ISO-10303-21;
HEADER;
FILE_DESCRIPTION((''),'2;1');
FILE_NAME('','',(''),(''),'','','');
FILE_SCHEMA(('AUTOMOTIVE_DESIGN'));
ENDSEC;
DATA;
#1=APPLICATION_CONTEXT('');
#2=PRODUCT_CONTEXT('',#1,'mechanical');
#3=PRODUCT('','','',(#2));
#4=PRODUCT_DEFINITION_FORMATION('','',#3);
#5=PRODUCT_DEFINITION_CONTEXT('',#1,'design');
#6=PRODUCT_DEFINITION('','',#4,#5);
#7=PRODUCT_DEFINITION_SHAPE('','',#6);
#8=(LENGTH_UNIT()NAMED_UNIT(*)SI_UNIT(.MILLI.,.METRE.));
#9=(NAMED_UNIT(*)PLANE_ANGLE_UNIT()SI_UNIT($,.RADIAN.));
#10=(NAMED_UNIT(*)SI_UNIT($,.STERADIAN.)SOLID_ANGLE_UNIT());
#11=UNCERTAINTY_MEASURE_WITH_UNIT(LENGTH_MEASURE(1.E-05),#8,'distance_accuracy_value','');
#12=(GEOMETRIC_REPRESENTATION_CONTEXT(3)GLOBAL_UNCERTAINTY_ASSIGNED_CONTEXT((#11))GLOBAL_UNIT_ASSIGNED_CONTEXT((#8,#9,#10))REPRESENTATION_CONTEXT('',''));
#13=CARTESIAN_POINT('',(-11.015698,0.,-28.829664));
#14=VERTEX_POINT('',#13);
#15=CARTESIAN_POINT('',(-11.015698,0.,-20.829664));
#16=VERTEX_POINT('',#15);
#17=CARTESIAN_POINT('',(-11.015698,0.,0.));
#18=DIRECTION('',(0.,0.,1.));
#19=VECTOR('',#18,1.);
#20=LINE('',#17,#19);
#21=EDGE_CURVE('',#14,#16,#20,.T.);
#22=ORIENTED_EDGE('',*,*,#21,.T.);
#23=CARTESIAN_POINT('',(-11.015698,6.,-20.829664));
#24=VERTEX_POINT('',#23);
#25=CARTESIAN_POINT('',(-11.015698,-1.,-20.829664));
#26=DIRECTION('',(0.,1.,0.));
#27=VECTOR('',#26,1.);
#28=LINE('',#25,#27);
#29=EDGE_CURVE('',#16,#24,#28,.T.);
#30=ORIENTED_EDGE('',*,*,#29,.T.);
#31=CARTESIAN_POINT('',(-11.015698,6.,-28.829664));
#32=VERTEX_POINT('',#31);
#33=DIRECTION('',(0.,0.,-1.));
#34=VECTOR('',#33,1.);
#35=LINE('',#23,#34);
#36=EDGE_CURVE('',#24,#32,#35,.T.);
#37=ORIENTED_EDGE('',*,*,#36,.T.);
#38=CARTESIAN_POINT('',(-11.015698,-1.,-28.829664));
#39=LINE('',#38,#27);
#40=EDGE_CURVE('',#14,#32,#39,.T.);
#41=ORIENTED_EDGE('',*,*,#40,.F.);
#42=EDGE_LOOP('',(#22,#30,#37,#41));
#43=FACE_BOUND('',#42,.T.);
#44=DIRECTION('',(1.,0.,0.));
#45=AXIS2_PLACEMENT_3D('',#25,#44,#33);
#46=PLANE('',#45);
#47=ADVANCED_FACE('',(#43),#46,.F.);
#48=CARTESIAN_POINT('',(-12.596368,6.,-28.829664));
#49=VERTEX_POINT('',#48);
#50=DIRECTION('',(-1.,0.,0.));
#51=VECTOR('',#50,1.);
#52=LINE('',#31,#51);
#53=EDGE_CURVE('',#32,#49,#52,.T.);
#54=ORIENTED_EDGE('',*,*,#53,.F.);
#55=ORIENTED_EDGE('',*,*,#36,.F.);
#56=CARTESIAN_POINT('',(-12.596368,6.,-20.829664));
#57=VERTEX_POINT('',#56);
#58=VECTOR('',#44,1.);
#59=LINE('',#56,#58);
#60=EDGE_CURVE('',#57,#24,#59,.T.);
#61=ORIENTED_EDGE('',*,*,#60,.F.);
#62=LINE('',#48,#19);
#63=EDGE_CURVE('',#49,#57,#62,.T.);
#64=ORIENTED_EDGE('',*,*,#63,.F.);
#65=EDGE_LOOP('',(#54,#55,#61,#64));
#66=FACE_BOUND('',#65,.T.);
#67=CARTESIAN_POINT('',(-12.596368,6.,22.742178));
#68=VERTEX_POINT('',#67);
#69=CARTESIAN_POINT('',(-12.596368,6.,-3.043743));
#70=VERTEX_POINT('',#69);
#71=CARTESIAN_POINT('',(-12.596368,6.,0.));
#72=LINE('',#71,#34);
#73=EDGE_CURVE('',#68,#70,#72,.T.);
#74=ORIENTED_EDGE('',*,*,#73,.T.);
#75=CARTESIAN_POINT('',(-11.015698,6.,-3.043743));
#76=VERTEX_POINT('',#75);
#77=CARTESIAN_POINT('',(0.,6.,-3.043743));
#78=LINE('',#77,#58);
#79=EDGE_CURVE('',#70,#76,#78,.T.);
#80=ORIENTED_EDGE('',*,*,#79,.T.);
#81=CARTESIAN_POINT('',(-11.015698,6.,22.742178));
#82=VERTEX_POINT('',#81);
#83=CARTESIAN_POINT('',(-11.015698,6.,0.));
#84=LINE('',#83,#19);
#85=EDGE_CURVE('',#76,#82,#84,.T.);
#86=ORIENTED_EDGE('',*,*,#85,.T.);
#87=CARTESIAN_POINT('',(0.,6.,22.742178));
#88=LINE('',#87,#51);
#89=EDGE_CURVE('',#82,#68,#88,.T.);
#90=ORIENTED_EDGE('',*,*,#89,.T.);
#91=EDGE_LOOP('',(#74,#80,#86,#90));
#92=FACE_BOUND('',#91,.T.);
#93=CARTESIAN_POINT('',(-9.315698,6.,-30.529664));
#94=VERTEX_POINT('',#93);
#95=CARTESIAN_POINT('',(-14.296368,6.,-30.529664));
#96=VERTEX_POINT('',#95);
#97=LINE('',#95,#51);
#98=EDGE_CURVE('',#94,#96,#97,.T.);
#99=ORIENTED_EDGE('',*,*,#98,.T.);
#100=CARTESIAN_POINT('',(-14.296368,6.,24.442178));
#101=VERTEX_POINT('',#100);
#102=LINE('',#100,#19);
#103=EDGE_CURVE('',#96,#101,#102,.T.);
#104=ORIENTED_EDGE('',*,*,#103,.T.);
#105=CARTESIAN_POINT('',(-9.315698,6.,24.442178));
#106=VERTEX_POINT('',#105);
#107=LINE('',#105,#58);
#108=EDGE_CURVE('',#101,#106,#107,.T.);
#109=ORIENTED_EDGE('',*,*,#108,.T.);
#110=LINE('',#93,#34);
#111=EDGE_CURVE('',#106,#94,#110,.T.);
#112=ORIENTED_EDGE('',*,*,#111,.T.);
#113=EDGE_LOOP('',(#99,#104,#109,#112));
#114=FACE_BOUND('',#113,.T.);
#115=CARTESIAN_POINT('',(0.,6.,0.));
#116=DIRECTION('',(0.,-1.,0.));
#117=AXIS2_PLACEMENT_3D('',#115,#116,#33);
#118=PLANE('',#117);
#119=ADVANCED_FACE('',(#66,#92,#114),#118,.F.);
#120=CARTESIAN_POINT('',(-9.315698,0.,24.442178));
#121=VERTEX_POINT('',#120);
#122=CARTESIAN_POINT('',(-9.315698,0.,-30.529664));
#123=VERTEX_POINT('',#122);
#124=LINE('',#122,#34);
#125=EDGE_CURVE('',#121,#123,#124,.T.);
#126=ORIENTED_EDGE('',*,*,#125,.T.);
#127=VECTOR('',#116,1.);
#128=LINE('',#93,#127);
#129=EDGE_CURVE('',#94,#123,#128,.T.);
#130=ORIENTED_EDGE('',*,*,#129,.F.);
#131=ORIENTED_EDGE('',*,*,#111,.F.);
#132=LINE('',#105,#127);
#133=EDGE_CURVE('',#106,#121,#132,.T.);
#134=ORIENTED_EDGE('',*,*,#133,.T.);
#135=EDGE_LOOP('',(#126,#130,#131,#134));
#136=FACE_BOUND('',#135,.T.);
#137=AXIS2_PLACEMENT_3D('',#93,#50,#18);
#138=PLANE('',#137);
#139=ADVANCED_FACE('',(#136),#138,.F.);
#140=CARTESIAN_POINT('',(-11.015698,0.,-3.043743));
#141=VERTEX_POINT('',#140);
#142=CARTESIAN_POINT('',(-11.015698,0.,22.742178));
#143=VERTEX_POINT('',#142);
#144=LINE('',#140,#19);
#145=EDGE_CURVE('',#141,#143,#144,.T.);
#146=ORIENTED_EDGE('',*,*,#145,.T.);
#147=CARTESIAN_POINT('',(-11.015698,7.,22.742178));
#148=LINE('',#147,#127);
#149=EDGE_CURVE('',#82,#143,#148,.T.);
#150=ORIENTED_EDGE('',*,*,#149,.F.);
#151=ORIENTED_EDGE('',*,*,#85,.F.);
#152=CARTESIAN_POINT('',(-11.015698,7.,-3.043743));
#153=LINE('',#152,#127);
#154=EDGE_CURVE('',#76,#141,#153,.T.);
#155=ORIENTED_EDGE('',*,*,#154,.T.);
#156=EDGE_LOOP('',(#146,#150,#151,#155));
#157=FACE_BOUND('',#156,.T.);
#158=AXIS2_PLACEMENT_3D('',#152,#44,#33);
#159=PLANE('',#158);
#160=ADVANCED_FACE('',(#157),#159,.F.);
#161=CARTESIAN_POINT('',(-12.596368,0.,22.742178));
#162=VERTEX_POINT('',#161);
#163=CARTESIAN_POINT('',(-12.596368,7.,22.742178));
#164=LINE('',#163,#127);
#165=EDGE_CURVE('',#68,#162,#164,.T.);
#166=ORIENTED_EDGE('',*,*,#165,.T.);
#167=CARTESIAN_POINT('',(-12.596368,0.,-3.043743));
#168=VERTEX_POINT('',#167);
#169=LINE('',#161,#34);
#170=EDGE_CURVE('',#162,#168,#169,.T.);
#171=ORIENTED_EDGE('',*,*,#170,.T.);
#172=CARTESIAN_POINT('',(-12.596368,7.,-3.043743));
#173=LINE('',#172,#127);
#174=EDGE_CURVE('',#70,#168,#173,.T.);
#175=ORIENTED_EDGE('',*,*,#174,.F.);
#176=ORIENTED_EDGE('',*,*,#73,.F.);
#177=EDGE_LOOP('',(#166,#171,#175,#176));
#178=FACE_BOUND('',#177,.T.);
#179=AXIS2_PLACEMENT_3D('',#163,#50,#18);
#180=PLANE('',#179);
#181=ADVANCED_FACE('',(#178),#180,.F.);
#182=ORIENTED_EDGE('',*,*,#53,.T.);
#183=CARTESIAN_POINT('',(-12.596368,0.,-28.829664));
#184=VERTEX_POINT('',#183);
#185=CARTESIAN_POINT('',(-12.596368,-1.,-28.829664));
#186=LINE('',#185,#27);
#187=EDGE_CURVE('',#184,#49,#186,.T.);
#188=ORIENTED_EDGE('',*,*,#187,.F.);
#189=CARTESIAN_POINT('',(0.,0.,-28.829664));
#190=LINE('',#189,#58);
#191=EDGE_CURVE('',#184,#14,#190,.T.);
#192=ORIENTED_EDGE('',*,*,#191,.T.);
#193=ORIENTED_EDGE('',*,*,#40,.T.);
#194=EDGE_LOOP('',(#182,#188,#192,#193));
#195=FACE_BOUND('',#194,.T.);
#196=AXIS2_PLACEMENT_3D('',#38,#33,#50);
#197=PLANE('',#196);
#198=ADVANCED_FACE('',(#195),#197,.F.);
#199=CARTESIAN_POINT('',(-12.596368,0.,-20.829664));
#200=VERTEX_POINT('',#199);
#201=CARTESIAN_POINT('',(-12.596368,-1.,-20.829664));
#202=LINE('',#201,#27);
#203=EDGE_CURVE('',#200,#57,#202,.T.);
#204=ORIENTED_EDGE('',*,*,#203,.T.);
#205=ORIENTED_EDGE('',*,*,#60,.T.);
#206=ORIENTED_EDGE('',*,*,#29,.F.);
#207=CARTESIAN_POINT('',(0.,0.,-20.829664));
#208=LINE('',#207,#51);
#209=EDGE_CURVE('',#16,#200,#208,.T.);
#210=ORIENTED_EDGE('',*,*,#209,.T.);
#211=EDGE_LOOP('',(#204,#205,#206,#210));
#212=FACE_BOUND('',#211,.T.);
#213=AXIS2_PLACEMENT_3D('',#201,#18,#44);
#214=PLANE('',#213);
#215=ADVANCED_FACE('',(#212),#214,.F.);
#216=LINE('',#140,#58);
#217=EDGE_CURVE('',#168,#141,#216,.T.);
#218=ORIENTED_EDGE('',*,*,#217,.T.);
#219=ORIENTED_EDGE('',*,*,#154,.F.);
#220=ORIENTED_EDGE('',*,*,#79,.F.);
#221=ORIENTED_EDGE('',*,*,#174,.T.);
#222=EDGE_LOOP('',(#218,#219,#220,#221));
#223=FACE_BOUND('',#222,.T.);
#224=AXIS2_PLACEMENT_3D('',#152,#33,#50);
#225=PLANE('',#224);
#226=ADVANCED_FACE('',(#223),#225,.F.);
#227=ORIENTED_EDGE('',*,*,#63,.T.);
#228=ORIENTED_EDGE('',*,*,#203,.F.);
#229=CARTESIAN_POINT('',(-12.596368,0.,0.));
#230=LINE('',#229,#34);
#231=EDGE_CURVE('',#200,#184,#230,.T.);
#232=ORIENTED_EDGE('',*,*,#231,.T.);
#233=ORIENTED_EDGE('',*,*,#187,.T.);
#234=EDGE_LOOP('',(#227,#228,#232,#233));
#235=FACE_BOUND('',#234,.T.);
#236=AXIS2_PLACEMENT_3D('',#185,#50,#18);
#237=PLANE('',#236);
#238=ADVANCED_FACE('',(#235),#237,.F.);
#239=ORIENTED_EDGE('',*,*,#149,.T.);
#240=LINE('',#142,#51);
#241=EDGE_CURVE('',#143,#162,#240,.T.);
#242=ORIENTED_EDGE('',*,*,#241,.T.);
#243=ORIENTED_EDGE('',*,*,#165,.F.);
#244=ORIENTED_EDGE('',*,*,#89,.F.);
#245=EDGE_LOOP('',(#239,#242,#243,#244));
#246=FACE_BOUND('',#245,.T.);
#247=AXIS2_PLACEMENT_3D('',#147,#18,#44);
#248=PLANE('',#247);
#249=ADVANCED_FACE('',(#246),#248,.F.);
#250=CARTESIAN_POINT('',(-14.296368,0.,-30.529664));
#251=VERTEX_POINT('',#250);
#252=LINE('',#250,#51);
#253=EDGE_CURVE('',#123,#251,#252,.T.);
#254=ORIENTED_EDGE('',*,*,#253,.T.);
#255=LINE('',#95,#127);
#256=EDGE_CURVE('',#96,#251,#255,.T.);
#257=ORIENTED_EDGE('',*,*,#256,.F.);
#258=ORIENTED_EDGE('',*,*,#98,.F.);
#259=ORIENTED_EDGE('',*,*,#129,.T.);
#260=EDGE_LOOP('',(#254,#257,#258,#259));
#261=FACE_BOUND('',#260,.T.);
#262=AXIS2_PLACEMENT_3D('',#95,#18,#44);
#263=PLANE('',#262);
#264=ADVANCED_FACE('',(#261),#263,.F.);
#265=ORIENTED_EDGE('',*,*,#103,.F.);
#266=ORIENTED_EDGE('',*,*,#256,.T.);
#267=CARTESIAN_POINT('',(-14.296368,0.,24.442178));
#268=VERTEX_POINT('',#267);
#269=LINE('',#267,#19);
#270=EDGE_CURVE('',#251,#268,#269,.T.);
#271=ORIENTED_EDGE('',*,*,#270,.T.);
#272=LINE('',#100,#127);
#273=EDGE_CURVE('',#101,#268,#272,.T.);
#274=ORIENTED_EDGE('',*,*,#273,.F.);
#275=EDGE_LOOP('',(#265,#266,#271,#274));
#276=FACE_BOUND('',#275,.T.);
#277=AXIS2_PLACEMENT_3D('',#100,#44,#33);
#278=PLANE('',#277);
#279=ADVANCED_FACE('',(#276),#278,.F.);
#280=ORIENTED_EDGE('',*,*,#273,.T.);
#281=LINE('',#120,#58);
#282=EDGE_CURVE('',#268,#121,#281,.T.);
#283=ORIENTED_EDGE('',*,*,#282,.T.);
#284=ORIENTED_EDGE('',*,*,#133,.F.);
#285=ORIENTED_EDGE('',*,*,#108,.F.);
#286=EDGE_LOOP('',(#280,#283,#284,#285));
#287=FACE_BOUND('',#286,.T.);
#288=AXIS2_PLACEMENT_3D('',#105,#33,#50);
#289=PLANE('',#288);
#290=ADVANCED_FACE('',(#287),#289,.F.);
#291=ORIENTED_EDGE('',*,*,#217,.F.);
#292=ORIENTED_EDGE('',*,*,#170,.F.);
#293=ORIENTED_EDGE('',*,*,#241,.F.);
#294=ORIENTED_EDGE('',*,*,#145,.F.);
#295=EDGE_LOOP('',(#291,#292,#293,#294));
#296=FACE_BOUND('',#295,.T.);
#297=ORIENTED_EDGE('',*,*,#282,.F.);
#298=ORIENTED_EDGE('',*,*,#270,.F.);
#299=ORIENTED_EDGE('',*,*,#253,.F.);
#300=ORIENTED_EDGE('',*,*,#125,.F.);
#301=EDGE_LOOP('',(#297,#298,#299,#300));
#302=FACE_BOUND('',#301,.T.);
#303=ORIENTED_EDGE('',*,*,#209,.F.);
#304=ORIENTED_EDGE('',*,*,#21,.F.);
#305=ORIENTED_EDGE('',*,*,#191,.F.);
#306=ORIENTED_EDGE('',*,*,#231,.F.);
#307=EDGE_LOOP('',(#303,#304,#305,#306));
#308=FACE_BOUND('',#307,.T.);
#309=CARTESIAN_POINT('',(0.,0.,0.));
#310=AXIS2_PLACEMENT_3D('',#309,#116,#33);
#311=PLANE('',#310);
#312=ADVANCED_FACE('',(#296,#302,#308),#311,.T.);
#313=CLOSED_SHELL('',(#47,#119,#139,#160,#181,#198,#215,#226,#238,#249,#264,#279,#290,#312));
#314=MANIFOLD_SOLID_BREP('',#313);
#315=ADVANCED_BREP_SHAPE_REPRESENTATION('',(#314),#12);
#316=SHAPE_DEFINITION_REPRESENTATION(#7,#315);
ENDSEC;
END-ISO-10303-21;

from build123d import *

# Parameters (mm, degrees)
SKETCH1_W           = 4.980670257
SKETCH1_H           = 54.9718421
BOSS_EXTRUDE1_DEPTH = 6
SKETCH2_W           = 1.580670257
SKETCH2_H           = 8
CUT_EXTRUDE2_DEPTH  = 7
SKETCH4_W           = 1.580670257
SKETCH4_H           = 25.78592105
CUT_EXTRUDE3_DEPTH  = 7


with BuildPart() as part:
    # Sketch1 → Boss-Extrude1 (new body)
    with BuildSketch(Plane(origin=(0, 0, 0), x_dir=(1, 0, 0), z_dir=(0, 1, 0))):
        with Locations((-11.806033203, 3.043742935)):
            Rectangle(SKETCH1_W, SKETCH1_H)
    extrude(amount=BOSS_EXTRUDE1_DEPTH)

    # Sketch2 → Cut-Extrude2 (cut)
    with BuildSketch(Plane(origin=(0, 6, 0), x_dir=(1, 0, 0), z_dir=(0, 1, 0))):
        with Locations((-11.806033203, 24.829663985)):
            Rectangle(SKETCH2_W, SKETCH2_H)
    extrude(amount=-CUT_EXTRUDE2_DEPTH, mode=Mode.SUBTRACT)

    # Sketch4 → Cut-Extrude3 (cut)
    with BuildSketch(Plane.XZ):
        with Locations((-11.806033203, 9.84921759)):
            Rectangle(SKETCH4_W, SKETCH4_H)
    extrude(amount=-CUT_EXTRUDE3_DEPTH, mode=Mode.SUBTRACT)


solid = part.part
